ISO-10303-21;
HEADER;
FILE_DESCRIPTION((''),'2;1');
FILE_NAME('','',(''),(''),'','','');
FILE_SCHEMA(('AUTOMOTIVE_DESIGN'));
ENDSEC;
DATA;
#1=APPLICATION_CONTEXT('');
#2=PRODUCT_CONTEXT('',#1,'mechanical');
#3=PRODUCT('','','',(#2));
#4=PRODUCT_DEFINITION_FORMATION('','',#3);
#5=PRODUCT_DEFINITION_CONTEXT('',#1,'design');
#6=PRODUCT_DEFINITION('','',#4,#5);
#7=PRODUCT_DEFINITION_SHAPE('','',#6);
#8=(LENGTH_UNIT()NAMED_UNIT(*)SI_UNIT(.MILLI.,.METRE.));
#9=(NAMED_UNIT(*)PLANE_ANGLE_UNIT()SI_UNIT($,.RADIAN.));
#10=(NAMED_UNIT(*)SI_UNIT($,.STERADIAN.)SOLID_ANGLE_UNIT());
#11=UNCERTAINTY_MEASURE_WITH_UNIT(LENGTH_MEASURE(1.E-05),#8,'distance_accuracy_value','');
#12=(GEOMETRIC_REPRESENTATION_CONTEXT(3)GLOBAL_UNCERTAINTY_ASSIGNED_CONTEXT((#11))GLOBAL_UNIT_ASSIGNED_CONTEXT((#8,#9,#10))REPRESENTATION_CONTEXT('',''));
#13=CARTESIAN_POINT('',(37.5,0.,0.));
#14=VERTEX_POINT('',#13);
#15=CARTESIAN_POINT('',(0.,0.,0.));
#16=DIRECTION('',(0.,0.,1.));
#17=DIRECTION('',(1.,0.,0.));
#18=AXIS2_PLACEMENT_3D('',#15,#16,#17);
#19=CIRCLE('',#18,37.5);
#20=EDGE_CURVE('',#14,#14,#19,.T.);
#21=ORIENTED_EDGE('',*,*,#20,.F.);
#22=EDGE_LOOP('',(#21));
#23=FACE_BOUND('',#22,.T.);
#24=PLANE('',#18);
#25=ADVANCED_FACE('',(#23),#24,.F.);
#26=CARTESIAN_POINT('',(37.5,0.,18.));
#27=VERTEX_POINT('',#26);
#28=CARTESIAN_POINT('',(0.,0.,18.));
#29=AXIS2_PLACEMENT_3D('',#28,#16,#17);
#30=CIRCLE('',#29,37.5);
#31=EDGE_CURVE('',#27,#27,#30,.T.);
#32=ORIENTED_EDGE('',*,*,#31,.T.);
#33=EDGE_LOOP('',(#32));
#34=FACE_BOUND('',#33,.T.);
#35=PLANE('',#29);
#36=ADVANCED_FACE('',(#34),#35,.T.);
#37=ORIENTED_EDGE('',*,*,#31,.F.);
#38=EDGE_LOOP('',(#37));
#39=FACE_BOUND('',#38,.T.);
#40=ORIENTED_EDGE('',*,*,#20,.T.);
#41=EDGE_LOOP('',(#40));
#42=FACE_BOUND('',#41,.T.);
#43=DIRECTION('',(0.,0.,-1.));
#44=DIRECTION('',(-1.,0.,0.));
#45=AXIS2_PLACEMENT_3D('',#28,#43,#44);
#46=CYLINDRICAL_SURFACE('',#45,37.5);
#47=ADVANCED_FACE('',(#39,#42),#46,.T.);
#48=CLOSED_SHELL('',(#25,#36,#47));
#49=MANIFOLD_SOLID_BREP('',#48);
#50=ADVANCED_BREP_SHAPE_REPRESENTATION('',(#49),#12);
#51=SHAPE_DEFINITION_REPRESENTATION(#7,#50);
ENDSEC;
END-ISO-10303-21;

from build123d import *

# Parameters (mm, degrees)
SKETCH2_R          = 37.5
BASE_EXTRUDE_DEPTH = 18


with BuildPart() as part:
    # Sketch2 → Base-Extrude (new body)
    with BuildSketch(Plane.XY):
        Circle(SKETCH2_R)
    extrude(amount=BASE_EXTRUDE_DEPTH)


solid = part.part
